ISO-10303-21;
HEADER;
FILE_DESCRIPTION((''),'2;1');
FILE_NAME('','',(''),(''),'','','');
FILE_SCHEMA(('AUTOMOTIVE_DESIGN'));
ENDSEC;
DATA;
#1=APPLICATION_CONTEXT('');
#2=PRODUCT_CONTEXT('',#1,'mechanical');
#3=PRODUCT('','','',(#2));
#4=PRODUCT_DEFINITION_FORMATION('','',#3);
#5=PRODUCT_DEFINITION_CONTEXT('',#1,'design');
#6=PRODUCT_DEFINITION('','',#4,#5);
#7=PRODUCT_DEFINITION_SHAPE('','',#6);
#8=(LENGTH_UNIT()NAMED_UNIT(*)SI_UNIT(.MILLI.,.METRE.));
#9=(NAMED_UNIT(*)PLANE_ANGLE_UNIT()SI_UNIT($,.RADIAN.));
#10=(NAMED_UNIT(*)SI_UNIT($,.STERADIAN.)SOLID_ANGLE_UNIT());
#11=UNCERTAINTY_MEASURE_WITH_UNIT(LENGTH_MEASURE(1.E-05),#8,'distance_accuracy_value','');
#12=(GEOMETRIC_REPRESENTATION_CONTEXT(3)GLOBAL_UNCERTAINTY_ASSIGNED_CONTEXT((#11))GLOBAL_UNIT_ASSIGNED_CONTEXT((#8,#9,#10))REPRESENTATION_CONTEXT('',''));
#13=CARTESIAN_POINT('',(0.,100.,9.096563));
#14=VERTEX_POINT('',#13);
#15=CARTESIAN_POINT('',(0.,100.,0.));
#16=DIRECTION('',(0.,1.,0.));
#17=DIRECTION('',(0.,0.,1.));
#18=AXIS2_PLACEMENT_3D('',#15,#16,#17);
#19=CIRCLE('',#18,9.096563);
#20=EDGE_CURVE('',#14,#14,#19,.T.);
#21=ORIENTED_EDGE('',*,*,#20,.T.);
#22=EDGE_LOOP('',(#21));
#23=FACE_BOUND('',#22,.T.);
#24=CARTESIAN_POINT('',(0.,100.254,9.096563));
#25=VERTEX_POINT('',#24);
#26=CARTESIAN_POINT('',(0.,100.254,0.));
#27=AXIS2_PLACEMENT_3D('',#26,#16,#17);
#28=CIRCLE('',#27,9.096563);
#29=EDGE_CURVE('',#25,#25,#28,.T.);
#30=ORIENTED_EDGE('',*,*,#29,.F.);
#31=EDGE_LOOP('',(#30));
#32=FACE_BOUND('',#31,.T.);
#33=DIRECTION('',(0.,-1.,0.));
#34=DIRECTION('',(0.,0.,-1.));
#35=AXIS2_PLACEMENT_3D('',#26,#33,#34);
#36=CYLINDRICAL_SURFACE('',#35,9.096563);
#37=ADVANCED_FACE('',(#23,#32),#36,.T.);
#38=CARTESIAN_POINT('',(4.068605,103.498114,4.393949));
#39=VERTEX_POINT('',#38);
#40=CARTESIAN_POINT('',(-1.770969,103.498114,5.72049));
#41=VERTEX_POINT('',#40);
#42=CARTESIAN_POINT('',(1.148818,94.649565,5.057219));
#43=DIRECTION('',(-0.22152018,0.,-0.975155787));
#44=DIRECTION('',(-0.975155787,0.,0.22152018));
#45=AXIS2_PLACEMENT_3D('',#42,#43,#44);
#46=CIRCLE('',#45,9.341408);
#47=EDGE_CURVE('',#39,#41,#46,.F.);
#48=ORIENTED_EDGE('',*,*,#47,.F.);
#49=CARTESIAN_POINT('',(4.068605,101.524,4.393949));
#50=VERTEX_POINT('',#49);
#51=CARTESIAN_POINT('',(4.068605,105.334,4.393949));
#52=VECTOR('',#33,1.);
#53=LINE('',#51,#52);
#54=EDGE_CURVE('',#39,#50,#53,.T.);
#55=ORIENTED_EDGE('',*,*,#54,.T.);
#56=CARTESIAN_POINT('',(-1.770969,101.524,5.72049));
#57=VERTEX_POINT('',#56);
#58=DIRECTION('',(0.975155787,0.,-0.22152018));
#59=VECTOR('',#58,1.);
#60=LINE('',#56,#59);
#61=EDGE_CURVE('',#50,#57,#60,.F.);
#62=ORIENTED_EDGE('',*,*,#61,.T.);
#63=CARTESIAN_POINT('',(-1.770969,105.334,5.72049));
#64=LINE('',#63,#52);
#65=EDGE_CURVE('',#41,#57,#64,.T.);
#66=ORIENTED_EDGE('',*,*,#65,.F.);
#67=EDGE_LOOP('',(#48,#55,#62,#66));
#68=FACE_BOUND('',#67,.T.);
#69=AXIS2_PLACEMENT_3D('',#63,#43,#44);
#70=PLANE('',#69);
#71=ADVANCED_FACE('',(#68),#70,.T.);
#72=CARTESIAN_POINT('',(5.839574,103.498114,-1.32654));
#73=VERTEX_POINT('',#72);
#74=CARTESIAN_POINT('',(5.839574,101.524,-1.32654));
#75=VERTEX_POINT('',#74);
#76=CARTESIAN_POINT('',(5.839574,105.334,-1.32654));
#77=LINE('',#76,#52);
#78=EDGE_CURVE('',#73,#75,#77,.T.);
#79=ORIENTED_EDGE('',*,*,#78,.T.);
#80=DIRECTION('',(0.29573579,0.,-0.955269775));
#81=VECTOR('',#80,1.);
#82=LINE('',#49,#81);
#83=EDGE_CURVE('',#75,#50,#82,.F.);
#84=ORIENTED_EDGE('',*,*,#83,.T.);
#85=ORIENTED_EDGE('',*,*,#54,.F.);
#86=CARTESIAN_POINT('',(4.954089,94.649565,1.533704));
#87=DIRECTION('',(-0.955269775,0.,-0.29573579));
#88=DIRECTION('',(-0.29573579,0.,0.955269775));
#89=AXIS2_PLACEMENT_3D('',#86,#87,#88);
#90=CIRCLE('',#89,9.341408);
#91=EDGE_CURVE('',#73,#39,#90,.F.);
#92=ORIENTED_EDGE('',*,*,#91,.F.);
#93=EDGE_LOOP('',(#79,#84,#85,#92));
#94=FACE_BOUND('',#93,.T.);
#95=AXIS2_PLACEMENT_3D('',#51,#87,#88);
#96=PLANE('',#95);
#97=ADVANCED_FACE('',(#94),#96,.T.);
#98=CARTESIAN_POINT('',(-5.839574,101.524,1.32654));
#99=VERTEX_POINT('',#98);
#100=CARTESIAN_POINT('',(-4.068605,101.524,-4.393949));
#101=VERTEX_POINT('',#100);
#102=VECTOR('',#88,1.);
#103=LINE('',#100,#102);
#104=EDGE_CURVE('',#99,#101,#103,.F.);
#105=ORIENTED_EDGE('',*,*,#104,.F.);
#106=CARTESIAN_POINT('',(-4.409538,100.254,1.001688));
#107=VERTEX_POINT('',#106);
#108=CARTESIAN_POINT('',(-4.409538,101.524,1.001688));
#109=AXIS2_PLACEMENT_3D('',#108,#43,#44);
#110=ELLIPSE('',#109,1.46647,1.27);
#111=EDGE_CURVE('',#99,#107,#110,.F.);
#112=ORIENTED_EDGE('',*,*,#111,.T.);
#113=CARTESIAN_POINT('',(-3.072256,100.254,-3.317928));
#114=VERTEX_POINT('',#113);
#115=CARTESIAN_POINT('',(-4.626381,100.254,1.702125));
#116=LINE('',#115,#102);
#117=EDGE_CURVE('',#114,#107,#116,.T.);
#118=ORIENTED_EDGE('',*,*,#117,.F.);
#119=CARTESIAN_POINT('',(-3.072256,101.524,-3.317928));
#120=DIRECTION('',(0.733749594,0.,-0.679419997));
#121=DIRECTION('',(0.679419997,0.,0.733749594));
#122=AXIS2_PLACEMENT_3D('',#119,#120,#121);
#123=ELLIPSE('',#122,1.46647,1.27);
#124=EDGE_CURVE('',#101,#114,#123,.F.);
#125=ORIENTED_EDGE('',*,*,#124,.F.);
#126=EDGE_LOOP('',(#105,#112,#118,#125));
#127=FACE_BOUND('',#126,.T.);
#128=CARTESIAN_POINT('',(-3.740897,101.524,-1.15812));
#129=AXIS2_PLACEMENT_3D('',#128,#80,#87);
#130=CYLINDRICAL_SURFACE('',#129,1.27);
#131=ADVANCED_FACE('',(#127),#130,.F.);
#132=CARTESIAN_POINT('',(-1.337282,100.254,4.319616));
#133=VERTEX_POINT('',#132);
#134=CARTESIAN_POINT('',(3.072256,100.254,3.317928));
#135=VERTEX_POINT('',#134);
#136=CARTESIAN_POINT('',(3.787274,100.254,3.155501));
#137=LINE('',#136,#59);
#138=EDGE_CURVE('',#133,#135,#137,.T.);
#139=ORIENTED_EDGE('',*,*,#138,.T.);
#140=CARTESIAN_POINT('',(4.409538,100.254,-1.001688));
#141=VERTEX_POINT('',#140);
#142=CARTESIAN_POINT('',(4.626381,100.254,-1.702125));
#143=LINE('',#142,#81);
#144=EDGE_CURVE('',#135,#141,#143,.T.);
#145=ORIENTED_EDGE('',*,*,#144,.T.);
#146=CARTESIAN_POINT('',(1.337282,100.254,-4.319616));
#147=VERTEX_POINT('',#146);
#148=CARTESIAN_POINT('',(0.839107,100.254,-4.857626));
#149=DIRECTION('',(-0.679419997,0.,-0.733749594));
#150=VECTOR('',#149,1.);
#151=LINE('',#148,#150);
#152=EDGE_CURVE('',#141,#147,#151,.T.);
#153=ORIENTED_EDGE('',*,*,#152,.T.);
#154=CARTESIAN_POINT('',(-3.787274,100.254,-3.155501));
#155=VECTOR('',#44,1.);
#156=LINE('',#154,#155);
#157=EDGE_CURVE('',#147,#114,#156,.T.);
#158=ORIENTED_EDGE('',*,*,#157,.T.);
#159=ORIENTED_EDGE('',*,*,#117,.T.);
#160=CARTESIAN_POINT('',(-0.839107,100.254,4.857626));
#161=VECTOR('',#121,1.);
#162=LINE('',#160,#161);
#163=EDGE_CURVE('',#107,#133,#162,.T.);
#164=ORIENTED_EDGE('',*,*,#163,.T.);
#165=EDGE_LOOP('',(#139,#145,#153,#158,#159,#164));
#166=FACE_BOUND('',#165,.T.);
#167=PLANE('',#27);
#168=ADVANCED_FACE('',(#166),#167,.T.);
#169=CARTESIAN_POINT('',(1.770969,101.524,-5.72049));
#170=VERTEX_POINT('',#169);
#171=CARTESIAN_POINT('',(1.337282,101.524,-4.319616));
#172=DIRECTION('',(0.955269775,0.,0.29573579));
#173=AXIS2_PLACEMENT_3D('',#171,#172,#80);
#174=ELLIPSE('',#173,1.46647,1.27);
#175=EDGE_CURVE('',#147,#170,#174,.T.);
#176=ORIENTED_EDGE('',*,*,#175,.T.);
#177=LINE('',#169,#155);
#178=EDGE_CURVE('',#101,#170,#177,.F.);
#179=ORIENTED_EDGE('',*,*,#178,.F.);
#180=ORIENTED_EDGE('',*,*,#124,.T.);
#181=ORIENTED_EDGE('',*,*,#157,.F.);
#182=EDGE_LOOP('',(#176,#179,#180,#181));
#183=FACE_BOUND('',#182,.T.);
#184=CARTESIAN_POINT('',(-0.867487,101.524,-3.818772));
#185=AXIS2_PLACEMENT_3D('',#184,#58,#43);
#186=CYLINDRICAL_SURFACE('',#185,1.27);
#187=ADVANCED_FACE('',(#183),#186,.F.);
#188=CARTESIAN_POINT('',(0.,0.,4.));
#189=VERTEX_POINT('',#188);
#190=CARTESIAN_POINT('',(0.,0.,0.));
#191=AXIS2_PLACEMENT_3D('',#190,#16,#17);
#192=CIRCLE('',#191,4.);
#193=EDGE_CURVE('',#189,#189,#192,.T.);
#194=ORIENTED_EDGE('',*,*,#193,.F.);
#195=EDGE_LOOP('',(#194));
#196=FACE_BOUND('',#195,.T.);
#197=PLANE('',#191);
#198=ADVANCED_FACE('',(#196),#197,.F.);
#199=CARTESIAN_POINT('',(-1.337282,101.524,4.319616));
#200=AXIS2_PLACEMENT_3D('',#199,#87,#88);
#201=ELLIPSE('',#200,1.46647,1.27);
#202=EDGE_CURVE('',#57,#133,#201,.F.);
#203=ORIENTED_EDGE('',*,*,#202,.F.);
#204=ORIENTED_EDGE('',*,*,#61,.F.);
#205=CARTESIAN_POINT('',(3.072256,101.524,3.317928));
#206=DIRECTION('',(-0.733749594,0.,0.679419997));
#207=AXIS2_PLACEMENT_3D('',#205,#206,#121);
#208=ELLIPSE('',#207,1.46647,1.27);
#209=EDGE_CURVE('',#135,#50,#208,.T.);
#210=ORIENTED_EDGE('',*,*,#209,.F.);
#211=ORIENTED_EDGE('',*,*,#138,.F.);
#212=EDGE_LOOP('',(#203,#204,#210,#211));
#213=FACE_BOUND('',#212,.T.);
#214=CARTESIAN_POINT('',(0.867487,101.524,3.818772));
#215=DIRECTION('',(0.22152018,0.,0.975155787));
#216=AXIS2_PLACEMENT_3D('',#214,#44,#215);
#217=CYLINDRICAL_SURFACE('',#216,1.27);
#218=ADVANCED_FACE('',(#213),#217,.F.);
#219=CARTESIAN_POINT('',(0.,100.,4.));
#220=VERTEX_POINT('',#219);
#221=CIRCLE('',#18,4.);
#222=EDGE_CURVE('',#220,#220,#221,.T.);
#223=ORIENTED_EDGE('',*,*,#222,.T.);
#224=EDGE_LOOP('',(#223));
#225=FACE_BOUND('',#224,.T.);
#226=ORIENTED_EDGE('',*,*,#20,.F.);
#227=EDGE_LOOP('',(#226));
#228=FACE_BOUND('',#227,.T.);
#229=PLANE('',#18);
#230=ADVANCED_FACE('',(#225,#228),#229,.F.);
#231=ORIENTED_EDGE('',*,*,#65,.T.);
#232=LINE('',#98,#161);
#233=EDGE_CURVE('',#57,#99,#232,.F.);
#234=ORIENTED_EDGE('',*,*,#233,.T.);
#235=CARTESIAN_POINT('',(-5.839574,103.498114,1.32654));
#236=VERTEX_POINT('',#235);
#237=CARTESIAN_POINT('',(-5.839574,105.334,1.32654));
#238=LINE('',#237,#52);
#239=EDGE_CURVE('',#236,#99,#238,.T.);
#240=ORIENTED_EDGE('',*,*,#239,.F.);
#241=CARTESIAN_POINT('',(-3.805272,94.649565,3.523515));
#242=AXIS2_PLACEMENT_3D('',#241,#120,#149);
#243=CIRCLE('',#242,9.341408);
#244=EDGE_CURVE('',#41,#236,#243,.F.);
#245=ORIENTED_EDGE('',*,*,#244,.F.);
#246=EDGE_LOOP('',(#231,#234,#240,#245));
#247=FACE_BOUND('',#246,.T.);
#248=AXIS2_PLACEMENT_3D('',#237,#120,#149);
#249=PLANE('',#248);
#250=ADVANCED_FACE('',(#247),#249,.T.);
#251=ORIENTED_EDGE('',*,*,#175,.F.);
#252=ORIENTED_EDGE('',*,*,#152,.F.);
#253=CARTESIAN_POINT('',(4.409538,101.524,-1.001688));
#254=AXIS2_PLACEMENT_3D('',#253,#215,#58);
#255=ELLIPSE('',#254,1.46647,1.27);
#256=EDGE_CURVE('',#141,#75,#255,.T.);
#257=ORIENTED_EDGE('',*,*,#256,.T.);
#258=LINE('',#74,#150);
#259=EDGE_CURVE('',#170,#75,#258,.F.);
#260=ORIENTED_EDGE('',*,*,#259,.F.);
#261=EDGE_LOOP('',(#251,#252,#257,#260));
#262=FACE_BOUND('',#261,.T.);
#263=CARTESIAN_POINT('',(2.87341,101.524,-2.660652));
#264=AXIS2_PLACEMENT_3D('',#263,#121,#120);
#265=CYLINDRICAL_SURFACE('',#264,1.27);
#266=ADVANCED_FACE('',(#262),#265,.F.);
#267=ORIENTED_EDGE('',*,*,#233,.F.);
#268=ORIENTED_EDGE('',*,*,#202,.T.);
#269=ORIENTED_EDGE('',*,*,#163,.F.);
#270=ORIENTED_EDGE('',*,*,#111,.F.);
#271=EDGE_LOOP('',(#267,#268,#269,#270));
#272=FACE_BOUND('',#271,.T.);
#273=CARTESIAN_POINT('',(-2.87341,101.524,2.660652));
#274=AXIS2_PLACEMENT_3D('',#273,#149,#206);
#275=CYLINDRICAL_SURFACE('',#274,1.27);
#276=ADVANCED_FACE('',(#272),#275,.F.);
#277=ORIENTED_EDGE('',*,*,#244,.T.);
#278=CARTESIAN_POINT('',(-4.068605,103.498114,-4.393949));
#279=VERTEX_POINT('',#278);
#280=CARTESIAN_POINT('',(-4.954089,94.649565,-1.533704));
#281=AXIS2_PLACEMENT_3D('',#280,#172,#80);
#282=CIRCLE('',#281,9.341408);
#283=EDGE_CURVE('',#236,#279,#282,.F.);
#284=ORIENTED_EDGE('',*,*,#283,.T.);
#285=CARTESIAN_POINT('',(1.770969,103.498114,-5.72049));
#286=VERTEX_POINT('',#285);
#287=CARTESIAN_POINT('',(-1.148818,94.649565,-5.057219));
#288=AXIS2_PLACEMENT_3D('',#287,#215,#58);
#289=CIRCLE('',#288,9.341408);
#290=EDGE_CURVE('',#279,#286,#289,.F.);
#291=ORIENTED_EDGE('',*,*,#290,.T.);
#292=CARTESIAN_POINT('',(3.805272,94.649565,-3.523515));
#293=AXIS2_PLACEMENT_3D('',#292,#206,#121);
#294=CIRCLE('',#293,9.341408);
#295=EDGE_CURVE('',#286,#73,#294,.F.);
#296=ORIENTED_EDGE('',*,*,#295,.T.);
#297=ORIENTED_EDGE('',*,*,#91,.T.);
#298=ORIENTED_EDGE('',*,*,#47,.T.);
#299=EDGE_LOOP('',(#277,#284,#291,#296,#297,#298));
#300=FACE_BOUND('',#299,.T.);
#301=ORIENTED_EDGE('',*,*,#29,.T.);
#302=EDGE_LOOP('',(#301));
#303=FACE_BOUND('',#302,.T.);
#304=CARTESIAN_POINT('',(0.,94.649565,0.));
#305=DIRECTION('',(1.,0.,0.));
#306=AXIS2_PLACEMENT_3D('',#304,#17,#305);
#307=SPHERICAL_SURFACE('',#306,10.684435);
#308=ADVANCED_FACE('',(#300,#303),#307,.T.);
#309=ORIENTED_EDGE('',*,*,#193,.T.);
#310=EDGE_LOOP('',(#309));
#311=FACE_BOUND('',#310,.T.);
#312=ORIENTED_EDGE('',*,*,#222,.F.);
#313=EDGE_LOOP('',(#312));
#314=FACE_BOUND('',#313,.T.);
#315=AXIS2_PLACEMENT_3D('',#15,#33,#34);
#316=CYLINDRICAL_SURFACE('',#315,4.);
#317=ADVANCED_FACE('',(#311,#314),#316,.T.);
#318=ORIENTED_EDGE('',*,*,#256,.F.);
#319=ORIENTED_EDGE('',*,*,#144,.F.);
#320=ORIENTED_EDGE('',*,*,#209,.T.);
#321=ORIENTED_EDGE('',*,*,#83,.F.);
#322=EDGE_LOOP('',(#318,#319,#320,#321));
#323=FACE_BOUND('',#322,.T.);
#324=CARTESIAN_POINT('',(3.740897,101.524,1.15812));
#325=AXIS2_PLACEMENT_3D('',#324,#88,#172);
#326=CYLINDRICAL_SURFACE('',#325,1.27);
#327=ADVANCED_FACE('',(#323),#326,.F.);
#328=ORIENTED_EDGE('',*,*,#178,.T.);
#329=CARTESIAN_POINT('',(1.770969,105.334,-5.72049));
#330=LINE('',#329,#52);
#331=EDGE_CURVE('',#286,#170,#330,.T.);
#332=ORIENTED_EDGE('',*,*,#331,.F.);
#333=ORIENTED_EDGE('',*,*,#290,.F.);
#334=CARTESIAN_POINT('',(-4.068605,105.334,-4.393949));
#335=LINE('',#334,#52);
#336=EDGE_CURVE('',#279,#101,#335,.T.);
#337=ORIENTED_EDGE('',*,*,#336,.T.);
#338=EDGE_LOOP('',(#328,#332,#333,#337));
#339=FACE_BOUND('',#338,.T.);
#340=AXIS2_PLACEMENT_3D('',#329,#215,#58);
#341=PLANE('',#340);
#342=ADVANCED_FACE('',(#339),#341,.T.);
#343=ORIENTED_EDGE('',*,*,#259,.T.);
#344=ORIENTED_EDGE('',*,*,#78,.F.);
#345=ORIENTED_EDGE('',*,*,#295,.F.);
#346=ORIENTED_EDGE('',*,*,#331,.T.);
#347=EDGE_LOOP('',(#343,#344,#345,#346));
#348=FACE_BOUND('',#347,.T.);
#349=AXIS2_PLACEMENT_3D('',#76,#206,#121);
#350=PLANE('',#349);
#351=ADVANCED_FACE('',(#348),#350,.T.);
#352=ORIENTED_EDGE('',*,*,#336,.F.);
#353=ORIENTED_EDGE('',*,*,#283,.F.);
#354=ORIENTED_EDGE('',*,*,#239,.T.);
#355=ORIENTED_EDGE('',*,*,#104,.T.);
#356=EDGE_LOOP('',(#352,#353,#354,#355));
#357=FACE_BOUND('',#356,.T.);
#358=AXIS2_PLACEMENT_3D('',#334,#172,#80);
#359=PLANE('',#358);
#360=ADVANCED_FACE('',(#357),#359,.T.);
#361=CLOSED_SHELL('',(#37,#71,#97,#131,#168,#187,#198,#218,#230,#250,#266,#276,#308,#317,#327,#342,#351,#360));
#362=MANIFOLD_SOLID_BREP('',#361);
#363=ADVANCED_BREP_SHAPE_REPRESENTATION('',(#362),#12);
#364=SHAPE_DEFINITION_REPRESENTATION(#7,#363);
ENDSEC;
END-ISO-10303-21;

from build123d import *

# Parameters (mm, degrees)
SKETCH1_R           = 4
BOSS_EXTRUDE1_DEPTH = 100
SKETCH2_R           = 9.096563294
BOSS_EXTRUDE2_DEPTH = 0.254
DOME1_FACE_RADIUS   = 9.096563294
DOME1_HEIGHT        = 5.08
CUT_EXTRUDE1_DEPTH  = 102.076008249
FILLET1_R           = 1.27


with BuildPart() as part:
    # Sketch1 → Boss-Extrude1 (new body)
    with BuildSketch(Plane(origin=(0, 0, 0), x_dir=(1, 0, 0), z_dir=(0, 1, 0))):
        with Locations(Location((0, 0, 0), (0, 0, 270))):
            Circle(SKETCH1_R)
    extrude(amount=BOSS_EXTRUDE1_DEPTH)

    # Sketch2 → Boss-Extrude2 (add)
    with BuildSketch(Plane(origin=(0, 100, 0), x_dir=(1, 0, 0), z_dir=(0, 1, 0))):
        with Locations(Location((0, 0, 0), (0, 0, 270))):
            Circle(SKETCH2_R)
    extrude(amount=BOSS_EXTRUDE2_DEPTH)

    # Dome1: a dome of height H over a round flat face of radius A is a cap of a sphere of radius (A * A + H * H) / (2 * H)
    dome1_r = (DOME1_FACE_RADIUS * DOME1_FACE_RADIUS + DOME1_HEIGHT * DOME1_HEIGHT) / (2 * DOME1_HEIGHT)
    dome1_base = Plane((0, 100.254, 0), z_dir=(0, 1, 0))
    with Locations(dome1_base.offset(DOME1_HEIGHT - dome1_r)):
        dome1_ball = Sphere(dome1_r, mode=Mode.PRIVATE)
    add(split(dome1_ball, bisect_by=dome1_base, keep=Keep.TOP, mode=Mode.PRIVATE))

    # Sketch3 → Cut-Extrude1 (cut, through all)
    with BuildSketch(Plane(origin=(0, 100.254, 0), x_dir=(1, 0, 0), z_dir=(0, 1, 0))):
        Polygon((1.770969394, 5.720489675), (-4.068604684, 4.393949322), (-5.839574078, -1.326540353), (-1.770969394, -5.720489675), (4.068604684, -4.393949322), (5.839574078, 1.326540353), align=None)
    extrude(amount=CUT_EXTRUDE1_DEPTH, mode=Mode.SUBTRACT)

    # Fillet1
    fillet1_edges = [part.edges().sort_by_distance(p)[0] for p in [
        (-4.954089381, 100.254, -1.533704485),
        (-3.805271736, 100.254, 3.523515014),
        (1.148817645, 100.254, 5.057219499),
        (4.954089381, 100.254, 1.533704485),
        (3.805271736, 100.254, -3.523515014),
        (-1.148817645, 100.254, -5.057219499),
    ]]
    fillet(fillet1_edges, radius=FILLET1_R)


solid = part.part
